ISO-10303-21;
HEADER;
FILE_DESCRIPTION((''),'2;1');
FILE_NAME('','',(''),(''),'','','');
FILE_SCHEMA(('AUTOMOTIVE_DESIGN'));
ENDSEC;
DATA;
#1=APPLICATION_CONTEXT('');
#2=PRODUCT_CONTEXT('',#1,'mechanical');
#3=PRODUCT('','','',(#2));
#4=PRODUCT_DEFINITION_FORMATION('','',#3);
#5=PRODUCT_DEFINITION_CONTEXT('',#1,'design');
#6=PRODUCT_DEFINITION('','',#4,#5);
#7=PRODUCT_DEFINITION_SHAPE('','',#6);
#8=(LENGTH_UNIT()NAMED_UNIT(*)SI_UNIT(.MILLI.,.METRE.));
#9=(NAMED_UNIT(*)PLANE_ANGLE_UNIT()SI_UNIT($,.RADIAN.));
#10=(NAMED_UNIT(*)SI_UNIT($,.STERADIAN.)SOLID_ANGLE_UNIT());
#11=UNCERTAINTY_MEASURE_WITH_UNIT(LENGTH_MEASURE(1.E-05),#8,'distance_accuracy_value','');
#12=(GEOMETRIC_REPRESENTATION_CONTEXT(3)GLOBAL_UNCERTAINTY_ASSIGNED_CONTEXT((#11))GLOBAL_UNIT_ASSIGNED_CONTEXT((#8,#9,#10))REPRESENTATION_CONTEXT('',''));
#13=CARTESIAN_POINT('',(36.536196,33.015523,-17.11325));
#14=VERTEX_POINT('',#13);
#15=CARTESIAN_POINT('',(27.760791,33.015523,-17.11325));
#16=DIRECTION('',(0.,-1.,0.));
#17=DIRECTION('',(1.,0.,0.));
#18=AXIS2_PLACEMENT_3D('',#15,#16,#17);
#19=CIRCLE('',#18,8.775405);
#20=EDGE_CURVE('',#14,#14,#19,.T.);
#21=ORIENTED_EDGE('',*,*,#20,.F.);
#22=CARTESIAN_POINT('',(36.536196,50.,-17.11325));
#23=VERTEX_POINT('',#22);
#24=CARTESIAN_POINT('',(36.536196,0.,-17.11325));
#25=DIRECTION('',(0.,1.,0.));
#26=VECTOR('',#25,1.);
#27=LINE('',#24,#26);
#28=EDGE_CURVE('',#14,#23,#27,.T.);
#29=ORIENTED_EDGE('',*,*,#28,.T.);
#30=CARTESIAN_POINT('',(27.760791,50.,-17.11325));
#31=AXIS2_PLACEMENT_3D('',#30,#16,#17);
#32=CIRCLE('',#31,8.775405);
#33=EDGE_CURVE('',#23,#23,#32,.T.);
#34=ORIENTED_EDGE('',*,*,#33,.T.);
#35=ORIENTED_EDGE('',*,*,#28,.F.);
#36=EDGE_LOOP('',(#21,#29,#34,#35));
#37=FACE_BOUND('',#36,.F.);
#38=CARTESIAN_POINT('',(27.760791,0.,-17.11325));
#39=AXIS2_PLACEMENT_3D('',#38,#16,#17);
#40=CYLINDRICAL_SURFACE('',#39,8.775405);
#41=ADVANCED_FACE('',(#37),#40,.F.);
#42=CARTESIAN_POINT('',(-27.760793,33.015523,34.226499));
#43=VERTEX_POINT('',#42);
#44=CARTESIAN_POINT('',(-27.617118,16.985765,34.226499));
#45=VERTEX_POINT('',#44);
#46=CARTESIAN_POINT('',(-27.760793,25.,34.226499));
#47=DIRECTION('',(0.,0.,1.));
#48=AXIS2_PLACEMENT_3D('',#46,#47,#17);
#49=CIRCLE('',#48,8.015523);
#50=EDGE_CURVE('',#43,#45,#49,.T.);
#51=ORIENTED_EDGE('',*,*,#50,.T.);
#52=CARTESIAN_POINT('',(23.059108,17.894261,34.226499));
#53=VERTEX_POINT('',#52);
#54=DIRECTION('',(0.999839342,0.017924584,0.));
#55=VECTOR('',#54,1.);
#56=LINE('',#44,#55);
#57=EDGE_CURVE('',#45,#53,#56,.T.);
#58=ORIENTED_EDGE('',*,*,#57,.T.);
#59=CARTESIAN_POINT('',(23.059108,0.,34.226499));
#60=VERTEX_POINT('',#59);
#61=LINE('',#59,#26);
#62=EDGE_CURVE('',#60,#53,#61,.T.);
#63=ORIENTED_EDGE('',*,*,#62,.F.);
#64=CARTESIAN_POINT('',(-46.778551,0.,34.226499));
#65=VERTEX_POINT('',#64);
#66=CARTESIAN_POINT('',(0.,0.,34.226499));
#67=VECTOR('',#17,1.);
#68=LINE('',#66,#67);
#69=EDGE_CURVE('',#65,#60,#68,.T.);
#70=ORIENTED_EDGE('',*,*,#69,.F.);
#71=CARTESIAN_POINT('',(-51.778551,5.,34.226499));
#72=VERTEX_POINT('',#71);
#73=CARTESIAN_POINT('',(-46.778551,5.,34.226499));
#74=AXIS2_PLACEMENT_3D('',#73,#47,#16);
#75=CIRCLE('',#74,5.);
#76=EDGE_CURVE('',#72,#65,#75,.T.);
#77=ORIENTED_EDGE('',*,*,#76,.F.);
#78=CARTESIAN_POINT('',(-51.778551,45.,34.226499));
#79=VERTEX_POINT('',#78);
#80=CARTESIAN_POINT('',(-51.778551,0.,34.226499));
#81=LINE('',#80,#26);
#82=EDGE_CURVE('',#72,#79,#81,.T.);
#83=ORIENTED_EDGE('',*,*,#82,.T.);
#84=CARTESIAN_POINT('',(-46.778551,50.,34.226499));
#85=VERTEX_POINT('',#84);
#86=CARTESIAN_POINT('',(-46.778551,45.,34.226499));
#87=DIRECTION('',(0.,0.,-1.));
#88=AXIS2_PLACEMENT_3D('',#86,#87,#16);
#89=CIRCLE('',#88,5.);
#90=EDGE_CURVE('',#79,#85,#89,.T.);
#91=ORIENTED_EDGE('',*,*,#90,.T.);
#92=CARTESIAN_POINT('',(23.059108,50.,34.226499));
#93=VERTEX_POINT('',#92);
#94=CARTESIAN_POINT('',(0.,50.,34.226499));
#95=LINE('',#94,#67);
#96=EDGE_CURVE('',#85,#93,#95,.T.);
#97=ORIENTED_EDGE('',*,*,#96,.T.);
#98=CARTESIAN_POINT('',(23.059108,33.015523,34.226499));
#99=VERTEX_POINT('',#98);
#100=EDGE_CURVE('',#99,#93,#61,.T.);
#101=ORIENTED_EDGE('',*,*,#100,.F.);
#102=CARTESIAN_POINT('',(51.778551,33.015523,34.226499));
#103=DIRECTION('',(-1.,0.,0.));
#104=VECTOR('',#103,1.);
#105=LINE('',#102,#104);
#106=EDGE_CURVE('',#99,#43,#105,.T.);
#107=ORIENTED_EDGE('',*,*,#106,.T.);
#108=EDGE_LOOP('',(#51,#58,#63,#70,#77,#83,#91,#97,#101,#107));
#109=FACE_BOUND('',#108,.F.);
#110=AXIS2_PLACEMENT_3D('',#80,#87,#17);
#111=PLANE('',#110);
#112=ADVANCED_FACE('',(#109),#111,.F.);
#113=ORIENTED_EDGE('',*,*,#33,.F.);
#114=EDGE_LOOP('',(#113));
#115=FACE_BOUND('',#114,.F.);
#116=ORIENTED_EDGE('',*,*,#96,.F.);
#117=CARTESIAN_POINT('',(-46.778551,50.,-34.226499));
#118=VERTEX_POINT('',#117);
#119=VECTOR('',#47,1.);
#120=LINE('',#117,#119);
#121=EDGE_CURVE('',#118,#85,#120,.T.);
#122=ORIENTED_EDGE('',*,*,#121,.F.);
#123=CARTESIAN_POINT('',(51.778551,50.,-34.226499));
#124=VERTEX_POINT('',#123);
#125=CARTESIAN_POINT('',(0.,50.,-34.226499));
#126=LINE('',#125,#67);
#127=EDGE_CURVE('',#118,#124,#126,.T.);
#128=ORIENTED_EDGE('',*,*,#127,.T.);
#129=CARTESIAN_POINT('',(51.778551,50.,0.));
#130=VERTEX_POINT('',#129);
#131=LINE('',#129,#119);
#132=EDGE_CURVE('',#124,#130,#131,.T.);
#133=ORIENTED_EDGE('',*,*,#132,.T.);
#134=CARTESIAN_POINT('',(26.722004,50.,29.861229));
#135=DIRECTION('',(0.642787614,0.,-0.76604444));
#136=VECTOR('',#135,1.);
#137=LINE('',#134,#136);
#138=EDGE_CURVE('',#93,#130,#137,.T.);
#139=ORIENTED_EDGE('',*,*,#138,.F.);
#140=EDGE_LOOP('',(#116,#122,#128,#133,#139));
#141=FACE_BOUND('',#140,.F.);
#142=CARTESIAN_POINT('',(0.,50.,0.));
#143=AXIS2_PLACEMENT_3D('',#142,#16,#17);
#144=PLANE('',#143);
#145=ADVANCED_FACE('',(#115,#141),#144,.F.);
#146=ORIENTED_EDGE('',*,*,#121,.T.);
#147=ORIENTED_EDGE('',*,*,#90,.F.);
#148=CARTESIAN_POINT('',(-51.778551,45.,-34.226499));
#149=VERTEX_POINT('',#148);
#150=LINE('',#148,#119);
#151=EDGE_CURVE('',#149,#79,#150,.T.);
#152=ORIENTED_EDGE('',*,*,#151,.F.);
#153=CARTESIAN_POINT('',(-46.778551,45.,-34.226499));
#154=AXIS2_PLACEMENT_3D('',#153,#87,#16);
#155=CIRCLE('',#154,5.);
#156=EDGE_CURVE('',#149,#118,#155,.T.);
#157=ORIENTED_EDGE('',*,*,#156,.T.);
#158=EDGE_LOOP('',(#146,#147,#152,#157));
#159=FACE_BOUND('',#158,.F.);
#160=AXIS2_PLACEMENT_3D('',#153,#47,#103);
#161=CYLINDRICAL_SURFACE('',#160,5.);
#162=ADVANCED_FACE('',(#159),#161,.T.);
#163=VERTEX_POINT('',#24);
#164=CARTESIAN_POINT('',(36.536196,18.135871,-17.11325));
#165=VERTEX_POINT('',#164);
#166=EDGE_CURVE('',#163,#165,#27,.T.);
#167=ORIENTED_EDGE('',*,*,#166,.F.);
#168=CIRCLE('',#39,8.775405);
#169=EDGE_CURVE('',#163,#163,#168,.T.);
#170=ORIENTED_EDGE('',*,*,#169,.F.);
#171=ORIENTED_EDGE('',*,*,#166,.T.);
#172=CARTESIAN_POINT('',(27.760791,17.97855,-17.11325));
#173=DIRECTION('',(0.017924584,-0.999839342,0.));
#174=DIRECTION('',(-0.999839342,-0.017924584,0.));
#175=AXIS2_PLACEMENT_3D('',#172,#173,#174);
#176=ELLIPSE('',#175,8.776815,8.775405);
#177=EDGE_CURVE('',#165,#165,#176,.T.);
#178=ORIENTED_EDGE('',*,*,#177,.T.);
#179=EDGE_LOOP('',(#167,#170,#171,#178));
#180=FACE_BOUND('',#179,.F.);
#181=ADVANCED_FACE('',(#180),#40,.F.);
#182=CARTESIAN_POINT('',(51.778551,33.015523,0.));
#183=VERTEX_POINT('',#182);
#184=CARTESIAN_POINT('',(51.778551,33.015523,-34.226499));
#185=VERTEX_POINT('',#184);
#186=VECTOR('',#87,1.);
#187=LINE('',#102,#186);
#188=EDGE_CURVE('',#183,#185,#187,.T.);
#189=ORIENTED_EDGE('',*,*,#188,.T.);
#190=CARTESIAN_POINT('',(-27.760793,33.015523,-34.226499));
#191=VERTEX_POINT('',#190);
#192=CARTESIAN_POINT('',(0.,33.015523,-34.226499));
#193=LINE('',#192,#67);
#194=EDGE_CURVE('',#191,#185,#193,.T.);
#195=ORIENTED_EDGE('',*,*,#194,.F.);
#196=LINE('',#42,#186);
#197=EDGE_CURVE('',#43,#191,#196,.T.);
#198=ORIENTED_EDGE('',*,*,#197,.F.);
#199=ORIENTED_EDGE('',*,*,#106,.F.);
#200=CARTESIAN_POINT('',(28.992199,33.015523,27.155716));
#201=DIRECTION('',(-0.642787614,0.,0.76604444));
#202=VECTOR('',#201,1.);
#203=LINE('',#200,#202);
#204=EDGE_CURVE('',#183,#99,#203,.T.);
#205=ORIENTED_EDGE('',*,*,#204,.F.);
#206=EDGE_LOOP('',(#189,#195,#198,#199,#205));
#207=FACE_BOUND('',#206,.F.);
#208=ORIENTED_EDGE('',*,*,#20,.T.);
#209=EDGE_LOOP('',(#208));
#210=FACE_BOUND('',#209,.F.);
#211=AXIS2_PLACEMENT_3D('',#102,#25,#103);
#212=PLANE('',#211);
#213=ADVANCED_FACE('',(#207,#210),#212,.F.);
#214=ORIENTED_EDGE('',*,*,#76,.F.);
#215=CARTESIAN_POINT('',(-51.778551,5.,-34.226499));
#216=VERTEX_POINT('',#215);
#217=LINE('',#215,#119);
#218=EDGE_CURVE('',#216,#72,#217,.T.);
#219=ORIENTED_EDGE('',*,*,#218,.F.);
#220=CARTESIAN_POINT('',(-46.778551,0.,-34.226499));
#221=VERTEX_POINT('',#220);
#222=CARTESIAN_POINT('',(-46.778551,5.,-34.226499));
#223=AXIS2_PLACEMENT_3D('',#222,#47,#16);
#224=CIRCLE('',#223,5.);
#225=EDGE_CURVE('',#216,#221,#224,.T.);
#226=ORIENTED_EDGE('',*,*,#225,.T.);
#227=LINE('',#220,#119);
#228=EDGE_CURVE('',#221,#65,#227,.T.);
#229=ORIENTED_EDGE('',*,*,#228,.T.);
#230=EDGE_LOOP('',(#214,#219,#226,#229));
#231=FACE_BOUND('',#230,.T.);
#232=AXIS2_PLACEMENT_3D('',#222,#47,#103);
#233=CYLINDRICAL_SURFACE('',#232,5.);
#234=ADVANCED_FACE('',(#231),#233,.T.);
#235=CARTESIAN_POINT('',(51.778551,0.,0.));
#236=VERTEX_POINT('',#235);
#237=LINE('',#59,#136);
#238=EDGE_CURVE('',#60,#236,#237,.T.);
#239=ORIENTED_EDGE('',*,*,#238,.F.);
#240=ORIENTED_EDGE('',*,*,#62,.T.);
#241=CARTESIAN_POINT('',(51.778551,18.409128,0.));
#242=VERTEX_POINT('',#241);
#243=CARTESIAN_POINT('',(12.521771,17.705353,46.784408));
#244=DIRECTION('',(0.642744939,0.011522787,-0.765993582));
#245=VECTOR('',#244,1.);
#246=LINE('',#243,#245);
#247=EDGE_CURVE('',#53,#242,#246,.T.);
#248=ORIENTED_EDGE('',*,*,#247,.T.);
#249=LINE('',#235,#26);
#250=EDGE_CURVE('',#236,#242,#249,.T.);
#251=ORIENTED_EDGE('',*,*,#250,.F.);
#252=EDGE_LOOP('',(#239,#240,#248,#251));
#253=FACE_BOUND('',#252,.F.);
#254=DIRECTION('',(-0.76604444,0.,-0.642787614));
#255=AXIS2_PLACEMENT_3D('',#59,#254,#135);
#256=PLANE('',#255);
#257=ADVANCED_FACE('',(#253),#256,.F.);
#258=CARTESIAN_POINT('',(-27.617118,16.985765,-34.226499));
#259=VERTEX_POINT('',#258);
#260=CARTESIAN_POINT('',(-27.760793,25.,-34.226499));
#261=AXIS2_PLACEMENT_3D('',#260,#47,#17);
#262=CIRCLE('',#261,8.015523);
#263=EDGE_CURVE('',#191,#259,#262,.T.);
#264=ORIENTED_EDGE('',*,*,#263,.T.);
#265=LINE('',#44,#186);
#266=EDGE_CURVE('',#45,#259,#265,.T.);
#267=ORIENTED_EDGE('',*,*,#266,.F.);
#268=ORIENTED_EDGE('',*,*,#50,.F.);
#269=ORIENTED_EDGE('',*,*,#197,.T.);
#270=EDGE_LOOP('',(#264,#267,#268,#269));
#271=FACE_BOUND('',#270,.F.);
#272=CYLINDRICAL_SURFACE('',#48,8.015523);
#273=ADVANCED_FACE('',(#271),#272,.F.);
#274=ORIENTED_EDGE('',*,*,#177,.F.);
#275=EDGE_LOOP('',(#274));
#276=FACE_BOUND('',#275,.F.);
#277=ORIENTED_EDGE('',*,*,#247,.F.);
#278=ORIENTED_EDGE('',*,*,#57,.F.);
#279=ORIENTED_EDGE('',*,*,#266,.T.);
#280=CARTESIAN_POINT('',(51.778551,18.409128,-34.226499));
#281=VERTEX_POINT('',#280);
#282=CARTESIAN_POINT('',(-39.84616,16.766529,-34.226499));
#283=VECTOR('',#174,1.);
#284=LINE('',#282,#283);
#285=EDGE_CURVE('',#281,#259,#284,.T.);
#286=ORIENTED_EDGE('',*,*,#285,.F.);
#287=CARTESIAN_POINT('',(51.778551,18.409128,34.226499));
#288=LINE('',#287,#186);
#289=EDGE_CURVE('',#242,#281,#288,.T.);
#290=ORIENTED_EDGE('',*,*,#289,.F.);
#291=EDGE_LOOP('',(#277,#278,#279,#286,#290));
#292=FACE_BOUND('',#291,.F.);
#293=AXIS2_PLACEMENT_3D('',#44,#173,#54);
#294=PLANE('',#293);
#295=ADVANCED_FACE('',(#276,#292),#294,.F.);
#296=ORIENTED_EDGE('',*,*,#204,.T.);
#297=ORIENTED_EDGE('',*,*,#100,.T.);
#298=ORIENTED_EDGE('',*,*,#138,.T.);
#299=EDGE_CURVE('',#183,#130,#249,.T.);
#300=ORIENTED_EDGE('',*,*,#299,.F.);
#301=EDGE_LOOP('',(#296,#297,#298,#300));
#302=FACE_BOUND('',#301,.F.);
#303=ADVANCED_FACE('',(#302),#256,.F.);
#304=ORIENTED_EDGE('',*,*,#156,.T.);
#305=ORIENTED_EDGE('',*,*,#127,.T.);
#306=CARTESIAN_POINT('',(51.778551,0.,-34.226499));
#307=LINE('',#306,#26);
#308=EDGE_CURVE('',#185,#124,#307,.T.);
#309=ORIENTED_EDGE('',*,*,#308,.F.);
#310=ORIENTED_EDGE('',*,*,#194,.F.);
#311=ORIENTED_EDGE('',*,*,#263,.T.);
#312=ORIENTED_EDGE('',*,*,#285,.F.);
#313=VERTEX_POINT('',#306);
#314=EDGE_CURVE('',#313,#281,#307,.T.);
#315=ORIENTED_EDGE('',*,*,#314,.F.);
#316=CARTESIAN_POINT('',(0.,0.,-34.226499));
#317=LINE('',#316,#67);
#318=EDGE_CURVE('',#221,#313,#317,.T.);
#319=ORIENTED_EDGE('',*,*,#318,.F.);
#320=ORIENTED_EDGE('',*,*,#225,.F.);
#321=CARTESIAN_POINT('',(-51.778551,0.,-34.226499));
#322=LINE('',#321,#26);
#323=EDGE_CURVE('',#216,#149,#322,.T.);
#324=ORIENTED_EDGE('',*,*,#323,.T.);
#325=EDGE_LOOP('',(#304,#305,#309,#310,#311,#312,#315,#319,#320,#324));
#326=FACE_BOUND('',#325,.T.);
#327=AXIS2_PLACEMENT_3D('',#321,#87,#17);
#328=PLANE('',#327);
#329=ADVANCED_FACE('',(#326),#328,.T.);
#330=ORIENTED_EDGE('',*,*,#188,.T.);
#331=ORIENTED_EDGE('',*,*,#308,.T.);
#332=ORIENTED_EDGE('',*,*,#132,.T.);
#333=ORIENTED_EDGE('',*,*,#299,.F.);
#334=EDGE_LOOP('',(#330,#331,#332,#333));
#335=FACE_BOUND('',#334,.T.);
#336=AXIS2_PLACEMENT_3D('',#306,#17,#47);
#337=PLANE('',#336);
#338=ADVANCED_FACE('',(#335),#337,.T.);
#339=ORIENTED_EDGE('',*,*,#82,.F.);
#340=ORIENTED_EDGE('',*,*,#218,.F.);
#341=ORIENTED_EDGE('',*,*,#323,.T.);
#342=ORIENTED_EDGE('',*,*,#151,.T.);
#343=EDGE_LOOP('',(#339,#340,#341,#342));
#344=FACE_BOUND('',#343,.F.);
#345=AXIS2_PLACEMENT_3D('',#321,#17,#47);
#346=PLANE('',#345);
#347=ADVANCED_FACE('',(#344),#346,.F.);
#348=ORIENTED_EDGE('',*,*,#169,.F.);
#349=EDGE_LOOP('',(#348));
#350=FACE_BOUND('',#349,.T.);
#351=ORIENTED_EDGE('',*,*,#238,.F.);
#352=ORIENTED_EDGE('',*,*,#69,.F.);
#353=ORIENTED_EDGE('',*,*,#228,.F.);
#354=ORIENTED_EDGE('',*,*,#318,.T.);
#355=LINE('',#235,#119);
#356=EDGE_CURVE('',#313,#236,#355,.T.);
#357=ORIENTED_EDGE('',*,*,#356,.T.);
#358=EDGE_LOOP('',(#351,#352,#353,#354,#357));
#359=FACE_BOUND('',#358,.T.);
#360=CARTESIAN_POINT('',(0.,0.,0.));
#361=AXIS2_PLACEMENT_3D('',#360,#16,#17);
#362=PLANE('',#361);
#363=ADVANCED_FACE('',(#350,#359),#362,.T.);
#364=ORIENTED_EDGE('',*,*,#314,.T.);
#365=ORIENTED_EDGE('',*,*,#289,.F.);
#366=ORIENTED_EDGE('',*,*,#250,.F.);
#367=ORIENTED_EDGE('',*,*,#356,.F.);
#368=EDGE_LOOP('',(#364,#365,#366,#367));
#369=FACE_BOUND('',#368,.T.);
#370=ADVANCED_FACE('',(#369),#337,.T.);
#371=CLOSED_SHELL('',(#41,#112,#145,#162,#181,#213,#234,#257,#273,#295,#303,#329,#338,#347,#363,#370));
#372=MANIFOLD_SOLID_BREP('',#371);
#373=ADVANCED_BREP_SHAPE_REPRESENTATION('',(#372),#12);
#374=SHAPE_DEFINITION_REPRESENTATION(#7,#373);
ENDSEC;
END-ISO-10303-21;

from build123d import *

# Parameters (mm, degrees)
F0_W     = 103.557102
F0_H     = 68.452998
F1_DEPTH = 50
F2_R     = 8.015523
F3_DEPTH = 70
F5_DEPTH = 75
F7_DEPTH = 60
F8_R     = 8.775405
F9_DEPTH = 75
F10_R    = 5


with BuildPart() as f1:
    # F0 (on Front) → F1 (new body)
    with BuildSketch(Plane.XZ):
        Rectangle(F0_W, F0_H)
    extrude(amount=-F1_DEPTH)

    # F2 (on face) → F3 (cut)
    with BuildSketch(Plane.XY.offset(34.226499)):
        with Locations((-27.760793, 25)):
            Circle(F2_R)
    extrude(amount=-F3_DEPTH, mode=Mode.SUBTRACT)

    # F4 (on face) → F5 (cut)
    with BuildSketch(Plane.XY.offset(34.226499)):
        with BuildLine():
            Line((51.778551, 33.015523), (-27.760793, 33.015523))
            ThreePointArc((-27.760793, 33.015523), (-22.092962, 30.667831), (-19.74527, 25))
            ThreePointArc((-19.74527, 25), (-22.042391, 19.383196), (-27.617118, 16.985765))
            Line((-27.617118, 16.985765), (51.778551, 18.409128))
            Line((51.778551, 18.409128), (51.778551, 33.015523))
        make_face()
    extrude(amount=-F5_DEPTH, mode=Mode.SUBTRACT)

    # F6 (on face) → F7 (cut)
    with BuildSketch(Plane.XZ):
        Polygon((51.778551, 34.226499), (23.059108, 34.226499), (51.778551, 0), align=None)
    extrude(amount=-F7_DEPTH, mode=Mode.SUBTRACT)

    # F8 (on face) → F9 (cut)
    with BuildSketch(Plane.XZ):
        with Locations((27.760791, -17.11325)):
            Circle(F8_R)
    extrude(amount=-F9_DEPTH, mode=Mode.SUBTRACT)

    # F10
    f10_edges = [f1.edges().sort_by_distance(p)[0] for p in [
        (-51.778551, 0, 0),
        (-51.778551, 50, 0),
    ]]
    fillet(f10_edges, radius=F10_R)


solid = f1.part
